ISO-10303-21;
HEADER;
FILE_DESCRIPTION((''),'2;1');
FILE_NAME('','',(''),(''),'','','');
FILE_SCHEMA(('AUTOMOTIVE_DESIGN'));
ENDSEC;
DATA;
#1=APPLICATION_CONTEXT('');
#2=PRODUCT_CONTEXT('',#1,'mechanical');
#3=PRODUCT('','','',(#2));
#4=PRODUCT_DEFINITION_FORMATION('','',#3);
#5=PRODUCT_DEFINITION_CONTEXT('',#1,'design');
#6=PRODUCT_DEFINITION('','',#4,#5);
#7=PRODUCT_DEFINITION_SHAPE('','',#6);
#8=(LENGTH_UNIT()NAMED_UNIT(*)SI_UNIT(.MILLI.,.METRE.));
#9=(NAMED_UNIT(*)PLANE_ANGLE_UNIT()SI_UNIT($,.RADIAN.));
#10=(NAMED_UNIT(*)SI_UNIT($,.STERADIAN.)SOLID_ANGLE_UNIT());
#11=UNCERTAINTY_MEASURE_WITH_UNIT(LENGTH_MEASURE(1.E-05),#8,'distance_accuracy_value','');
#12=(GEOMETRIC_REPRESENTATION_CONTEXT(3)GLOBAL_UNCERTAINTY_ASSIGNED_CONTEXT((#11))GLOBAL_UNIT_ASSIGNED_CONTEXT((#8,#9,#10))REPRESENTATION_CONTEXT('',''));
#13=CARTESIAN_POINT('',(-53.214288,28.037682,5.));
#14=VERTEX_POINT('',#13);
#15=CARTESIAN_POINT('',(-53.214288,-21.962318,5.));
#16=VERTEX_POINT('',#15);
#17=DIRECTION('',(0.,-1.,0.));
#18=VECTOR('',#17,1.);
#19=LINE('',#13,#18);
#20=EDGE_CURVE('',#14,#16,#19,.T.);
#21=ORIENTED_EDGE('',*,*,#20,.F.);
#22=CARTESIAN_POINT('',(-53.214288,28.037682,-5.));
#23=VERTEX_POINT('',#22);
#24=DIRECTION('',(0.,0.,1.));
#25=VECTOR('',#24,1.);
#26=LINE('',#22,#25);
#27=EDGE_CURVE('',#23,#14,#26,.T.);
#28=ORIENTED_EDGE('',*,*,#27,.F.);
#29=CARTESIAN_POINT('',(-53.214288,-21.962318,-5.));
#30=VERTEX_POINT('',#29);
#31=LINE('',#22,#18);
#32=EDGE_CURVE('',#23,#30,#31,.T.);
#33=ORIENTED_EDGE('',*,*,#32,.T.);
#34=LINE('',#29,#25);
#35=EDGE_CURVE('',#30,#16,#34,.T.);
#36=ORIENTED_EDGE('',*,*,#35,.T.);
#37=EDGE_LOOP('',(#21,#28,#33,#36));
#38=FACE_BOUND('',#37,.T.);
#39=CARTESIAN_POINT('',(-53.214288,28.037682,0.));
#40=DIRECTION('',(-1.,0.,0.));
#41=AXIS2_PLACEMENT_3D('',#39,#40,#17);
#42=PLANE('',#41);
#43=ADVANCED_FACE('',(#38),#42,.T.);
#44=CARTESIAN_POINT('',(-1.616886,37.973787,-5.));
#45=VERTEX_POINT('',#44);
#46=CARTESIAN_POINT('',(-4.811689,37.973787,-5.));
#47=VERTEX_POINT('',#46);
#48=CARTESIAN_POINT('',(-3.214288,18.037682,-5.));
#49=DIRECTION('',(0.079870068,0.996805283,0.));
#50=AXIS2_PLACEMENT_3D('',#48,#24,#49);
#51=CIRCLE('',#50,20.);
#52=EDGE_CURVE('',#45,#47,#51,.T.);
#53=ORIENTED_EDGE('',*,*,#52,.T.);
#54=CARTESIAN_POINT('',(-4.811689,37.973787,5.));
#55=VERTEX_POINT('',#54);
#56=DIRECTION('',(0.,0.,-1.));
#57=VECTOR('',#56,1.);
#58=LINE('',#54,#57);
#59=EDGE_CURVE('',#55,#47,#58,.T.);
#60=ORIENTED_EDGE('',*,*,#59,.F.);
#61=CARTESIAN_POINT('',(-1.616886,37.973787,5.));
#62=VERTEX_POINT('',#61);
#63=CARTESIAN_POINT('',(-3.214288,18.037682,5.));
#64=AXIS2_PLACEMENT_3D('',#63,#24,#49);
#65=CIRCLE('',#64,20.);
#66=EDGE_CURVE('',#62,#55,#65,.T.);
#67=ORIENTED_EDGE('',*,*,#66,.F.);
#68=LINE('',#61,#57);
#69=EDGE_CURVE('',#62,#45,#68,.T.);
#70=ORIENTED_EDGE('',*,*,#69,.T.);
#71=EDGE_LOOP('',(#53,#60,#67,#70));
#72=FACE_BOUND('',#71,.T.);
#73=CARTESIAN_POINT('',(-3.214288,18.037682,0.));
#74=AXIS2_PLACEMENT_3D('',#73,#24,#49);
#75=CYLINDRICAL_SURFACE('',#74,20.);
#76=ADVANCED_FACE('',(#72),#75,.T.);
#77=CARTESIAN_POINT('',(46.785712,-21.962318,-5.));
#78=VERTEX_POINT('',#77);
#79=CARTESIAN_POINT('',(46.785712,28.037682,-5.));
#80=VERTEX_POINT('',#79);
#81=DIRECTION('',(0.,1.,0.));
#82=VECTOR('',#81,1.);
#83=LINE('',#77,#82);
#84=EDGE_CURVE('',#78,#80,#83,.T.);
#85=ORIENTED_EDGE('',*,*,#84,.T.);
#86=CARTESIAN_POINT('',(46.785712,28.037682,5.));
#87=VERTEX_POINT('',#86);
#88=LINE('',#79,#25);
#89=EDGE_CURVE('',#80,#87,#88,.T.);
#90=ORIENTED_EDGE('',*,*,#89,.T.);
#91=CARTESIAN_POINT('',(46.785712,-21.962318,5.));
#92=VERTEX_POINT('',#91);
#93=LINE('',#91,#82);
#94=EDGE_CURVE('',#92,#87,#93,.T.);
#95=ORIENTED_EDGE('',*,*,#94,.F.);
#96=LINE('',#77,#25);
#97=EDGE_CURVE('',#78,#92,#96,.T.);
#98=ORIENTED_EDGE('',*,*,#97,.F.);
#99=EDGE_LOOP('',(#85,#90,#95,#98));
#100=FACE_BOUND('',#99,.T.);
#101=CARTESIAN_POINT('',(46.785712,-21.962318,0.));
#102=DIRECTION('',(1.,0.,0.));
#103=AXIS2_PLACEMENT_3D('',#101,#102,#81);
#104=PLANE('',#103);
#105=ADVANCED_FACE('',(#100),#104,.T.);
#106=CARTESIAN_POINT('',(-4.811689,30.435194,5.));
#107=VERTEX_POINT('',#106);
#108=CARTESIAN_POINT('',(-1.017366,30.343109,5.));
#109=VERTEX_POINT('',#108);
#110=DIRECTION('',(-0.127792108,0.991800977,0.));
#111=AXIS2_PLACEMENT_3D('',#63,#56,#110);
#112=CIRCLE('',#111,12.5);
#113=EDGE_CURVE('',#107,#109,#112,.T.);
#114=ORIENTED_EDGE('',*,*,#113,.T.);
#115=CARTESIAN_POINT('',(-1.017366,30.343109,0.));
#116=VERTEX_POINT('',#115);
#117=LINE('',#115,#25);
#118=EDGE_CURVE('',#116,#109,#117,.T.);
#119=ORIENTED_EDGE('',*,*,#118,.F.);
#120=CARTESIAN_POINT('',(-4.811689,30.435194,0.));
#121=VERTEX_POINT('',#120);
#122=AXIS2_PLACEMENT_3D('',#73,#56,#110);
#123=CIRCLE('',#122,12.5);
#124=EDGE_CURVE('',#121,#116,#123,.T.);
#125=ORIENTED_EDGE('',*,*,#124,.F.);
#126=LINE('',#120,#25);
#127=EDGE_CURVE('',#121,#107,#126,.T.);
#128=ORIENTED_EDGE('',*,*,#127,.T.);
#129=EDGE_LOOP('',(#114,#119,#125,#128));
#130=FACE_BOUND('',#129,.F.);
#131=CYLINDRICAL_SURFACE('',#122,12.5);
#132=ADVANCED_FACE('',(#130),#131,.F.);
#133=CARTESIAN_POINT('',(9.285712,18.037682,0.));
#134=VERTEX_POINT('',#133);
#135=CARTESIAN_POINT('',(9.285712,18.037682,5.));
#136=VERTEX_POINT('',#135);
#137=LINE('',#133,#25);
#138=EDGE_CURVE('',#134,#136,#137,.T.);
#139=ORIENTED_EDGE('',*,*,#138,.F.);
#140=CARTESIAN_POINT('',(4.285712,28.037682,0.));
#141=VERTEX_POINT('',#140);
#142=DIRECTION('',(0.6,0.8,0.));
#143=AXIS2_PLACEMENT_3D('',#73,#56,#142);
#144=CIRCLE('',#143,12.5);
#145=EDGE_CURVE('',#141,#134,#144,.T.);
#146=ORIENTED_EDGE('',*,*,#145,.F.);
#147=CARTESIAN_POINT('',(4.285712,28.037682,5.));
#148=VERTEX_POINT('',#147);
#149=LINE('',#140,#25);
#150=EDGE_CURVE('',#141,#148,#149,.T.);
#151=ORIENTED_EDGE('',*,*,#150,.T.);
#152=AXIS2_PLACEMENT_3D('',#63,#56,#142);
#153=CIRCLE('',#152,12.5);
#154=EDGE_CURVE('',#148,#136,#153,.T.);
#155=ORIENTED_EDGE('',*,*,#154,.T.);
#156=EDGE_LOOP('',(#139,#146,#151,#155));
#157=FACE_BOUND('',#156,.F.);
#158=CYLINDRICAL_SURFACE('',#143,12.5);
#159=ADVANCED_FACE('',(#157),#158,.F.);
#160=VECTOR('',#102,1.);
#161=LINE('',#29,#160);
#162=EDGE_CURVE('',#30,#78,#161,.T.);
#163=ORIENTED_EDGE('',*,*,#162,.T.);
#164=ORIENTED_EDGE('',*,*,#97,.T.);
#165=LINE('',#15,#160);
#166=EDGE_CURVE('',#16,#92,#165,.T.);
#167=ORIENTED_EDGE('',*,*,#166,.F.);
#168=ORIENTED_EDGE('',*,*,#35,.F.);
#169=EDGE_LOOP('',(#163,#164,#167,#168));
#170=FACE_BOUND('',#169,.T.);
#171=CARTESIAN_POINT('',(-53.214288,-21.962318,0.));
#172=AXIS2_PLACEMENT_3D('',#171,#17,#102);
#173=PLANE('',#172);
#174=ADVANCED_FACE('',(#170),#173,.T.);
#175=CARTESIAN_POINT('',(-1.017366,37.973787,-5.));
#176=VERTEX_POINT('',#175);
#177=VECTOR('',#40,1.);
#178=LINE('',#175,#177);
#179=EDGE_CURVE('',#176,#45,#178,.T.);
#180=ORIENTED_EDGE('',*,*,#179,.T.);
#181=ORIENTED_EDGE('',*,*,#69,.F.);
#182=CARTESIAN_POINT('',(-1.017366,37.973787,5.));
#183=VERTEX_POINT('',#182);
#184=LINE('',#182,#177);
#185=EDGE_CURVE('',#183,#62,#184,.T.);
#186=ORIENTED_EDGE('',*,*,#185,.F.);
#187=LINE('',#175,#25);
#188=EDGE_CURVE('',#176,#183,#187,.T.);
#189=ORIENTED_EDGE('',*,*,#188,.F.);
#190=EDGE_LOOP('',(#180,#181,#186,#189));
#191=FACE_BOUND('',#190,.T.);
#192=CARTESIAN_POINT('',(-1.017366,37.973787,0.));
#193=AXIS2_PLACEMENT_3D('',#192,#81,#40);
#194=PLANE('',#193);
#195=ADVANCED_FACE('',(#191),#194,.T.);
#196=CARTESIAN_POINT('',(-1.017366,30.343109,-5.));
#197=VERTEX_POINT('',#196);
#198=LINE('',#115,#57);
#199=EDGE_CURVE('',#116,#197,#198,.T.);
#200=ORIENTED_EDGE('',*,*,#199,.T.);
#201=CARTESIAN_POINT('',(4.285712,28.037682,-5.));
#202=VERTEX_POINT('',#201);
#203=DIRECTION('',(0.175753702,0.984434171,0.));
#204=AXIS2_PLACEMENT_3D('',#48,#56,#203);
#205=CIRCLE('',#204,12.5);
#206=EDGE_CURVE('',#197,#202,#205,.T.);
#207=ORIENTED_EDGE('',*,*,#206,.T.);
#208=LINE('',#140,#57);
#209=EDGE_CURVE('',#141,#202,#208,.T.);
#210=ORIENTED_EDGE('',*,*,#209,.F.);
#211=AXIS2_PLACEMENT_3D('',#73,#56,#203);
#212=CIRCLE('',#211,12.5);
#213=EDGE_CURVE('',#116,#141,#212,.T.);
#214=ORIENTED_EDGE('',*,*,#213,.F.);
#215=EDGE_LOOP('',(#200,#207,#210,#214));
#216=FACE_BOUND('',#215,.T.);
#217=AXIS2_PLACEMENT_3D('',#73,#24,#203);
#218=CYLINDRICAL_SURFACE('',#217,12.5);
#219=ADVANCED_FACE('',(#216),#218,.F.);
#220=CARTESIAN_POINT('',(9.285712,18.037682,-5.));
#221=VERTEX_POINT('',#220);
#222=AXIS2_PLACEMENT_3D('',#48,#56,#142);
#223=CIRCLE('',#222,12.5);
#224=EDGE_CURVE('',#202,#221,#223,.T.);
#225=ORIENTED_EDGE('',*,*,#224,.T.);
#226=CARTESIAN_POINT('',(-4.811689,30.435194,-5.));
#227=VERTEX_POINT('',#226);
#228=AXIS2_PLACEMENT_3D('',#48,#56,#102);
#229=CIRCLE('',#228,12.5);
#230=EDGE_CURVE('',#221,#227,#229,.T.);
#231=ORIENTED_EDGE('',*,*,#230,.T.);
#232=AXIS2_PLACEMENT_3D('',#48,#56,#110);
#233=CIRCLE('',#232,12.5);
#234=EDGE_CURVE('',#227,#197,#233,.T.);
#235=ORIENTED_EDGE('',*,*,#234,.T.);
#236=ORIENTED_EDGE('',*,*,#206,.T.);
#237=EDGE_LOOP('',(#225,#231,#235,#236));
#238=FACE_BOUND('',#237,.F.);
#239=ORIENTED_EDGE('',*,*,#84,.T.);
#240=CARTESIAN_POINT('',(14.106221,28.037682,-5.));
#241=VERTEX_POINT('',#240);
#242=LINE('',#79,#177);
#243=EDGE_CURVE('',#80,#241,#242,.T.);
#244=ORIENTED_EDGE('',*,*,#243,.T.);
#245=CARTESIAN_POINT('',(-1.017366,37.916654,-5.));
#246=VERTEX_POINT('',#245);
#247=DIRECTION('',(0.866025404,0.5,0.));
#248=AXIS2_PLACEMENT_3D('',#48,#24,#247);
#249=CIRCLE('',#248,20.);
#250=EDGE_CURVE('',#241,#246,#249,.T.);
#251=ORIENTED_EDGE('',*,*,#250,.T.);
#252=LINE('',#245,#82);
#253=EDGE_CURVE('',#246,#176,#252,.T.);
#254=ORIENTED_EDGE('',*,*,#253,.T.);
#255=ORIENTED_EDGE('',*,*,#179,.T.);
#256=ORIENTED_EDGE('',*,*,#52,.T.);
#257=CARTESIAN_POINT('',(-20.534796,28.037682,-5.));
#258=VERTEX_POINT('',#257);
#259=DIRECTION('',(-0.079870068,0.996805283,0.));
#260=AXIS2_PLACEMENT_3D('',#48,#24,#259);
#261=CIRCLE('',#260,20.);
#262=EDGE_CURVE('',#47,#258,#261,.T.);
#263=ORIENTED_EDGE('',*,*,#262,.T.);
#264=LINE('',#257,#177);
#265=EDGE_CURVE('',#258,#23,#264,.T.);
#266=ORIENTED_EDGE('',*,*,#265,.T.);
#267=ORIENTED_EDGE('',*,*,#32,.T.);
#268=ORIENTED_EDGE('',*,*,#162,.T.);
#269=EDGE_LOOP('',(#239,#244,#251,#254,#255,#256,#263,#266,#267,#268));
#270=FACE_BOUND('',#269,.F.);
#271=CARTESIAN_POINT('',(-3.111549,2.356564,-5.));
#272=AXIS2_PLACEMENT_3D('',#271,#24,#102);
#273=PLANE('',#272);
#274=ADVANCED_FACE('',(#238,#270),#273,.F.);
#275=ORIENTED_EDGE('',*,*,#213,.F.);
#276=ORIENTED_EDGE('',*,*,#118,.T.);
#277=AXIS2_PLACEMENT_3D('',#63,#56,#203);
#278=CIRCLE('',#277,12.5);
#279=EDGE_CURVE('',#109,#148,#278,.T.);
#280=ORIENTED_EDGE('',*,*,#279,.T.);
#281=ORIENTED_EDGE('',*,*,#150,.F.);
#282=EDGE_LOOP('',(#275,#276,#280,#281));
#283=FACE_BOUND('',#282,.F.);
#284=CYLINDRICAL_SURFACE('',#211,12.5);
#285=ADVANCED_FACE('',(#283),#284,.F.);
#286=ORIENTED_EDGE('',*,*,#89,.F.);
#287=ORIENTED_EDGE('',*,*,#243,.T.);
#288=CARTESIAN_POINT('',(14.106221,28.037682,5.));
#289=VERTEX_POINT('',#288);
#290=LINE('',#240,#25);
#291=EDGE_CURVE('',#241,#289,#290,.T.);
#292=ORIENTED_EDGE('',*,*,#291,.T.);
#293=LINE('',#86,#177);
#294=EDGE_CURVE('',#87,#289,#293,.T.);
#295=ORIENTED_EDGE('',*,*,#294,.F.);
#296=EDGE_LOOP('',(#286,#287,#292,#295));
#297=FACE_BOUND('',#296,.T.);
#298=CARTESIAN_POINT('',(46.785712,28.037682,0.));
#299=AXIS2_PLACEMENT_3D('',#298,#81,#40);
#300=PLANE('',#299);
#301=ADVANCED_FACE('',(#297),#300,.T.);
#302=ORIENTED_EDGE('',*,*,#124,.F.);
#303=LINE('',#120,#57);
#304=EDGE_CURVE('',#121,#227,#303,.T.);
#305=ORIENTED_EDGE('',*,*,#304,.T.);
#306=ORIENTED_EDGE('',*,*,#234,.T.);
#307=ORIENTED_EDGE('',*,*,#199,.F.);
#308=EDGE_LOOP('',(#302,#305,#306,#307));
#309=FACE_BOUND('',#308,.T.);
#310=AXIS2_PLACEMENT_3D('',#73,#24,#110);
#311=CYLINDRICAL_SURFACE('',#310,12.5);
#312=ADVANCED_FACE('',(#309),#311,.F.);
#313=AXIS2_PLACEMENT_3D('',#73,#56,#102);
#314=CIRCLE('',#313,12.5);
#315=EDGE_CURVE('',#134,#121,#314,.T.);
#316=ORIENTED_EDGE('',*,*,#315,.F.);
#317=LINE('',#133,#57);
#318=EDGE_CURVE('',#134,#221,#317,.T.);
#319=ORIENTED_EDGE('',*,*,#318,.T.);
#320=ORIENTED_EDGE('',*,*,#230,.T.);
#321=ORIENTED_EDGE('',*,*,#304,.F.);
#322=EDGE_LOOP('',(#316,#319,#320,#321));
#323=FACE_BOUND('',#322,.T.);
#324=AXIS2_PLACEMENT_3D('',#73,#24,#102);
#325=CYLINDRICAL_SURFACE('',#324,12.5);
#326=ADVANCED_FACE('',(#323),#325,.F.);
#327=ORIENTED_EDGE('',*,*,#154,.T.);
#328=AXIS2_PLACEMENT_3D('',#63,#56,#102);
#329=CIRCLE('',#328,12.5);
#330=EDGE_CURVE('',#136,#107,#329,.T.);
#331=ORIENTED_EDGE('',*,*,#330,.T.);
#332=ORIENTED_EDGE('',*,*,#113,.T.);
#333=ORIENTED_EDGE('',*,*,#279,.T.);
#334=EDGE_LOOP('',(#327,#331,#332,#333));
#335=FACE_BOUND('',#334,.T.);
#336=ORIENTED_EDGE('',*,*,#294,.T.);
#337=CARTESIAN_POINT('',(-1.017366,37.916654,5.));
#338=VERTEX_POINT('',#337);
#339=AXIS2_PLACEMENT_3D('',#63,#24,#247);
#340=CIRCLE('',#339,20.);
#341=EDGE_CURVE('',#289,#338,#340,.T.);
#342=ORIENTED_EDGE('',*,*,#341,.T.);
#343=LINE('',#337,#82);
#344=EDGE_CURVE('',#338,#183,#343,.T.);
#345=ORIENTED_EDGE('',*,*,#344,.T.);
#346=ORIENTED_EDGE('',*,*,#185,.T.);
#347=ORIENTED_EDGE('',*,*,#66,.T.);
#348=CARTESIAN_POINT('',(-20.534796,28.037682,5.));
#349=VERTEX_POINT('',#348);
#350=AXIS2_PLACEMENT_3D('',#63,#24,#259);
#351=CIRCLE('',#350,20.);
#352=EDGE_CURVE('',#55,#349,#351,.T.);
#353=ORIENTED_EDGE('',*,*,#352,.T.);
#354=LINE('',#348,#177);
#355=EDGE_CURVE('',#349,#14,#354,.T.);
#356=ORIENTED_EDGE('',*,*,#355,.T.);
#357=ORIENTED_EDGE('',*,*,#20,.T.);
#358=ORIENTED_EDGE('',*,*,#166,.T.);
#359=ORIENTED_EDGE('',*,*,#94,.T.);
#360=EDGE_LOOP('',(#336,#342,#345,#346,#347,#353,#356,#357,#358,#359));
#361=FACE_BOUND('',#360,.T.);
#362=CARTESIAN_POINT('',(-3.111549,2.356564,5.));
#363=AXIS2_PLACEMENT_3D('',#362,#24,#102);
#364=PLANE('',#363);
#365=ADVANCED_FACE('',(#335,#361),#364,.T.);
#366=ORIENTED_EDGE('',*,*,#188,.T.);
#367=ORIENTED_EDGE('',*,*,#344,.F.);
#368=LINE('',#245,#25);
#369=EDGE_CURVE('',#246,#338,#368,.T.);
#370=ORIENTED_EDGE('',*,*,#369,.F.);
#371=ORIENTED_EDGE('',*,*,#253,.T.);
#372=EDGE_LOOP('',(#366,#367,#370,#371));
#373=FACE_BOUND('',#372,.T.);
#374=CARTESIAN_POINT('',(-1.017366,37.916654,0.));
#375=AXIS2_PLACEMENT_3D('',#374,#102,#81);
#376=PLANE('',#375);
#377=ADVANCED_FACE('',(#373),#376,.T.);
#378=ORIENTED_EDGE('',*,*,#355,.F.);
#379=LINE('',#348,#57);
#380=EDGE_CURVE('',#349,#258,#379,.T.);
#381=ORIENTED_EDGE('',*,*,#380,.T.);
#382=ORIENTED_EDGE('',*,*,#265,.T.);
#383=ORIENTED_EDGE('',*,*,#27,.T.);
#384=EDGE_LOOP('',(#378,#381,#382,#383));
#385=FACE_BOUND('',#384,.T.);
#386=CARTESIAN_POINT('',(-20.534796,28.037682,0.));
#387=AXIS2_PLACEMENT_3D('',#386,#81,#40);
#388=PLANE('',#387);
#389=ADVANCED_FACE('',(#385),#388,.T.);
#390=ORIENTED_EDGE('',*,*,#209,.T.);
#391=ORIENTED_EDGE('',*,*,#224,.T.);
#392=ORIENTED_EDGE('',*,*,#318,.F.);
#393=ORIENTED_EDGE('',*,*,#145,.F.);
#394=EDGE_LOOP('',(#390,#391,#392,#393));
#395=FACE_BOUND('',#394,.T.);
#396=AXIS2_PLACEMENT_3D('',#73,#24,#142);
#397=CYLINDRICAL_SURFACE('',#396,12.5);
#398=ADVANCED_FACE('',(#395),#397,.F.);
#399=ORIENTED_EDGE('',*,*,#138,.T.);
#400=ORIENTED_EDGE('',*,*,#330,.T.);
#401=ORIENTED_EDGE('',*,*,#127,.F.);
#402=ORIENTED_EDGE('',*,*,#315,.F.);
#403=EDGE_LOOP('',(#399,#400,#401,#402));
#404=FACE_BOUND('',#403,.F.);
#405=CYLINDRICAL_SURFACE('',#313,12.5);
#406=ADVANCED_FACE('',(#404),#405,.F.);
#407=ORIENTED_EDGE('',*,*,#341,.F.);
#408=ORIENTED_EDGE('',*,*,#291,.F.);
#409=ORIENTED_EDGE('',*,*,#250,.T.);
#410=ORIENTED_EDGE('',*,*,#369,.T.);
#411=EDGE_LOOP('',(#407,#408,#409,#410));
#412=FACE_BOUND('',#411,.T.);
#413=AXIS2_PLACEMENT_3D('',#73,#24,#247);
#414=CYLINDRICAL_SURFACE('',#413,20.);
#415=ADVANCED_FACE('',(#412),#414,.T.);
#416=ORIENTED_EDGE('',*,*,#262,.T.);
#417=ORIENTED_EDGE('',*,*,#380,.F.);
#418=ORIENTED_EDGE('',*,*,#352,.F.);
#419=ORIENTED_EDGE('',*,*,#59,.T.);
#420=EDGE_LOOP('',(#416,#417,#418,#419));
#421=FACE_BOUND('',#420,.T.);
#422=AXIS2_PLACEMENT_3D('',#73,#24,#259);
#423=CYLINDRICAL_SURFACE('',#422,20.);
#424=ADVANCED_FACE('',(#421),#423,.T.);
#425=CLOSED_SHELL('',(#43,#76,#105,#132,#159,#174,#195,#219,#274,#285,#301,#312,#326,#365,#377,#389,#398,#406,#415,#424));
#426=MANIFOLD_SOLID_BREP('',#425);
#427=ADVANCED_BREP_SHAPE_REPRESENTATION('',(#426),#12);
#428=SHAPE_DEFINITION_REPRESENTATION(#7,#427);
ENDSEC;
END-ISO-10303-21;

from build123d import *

# Parameters (mm, degrees)
F1_DEPTH = 5


with BuildPart() as f1:
    # F0 (on Top) → F1 (new body, symmetric)
    with BuildSketch(Plane.XY):
        with BuildLine():
            Line((-20.5347956473, 28.0376815487), (-53.2142875716, 28.0376815487))
            Line((-53.2142875716, 28.0376815487), (-53.2142875716, -21.9623184513))
            Line((-53.2142875716, -21.9623184513), (46.7857124284, -21.9623184513))
            Line((46.7857124284, -21.9623184513), (46.7857124284, 28.0376815487))
            Line((46.7857124284, 28.0376815487), (14.1062205041, 28.0376815487))
            ThreePointArc((14.1062205041, 28.0376815487), (16.1042289542, 23.2140624507), (16.7857124284, 18.0376815487))
            ThreePointArc((16.7857124284, 18.0376815487), (-8.3906684737, -1.2808349771), (-20.5347956473, 28.0376815487))
        make_face()
        with BuildLine():
            ThreePointArc((-4.8116889233, 37.9737872095), (-13.8985457677, 34.9446808921), (-20.5347956473, 28.0376815487))
            Line((-20.5347956473, 28.0376815487), (-10.7142875716, 28.0376815487))
            ThreePointArc((-10.7142875716, 28.0376815487), (-7.918295866, 29.6188000597), (-4.8116889233, 30.4351937556))
            Line((-4.8116889233, 30.4351937556), (-4.8116889233, 37.9737872095))
        make_face()
        with BuildLine():
            Line((-10.7142875716, 28.0376815487), (-20.5347956473, 28.0376815487))
            ThreePointArc((-20.5347956473, 28.0376815487), (-8.3906684737, -1.2808349771), (16.7857124284, 18.0376815487))
            ThreePointArc((16.7857124284, 18.0376815487), (16.1042289542, 23.2140624507), (14.1062205041, 28.0376815487))
            Line((14.1062205041, 28.0376815487), (4.2857124284, 28.0376815487))
            ThreePointArc((4.2857124284, 28.0376815487), (7.9660523159, 23.6278514924), (9.2857124284, 18.0376815487))
            ThreePointArc((9.2857124284, 18.0376815487), (-8.8044575154, 6.8573416612), (-10.7142875716, 28.0376815487))
        make_face()
        with BuildLine():
            ThreePointArc((-1.6168862199, 37.9737872095), (-3.2142875716, 38.0376815487), (-4.8116889233, 37.9737872095))
            Line((-4.8116889233, 37.9737872095), (-1.6168862199, 37.9737872095))
        make_face()
        with BuildLine():
            Line((-1.6168862199, 37.9737872095), (-4.8116889233, 37.9737872095))
            Line((-4.8116889233, 37.9737872095), (-4.8116889233, 30.4351937556))
            ThreePointArc((-4.8116889233, 30.4351937556), (-2.9110122001, 30.534001969), (-1.0173662929, 30.3431086804))
            Line((-1.0173662929, 30.3431086804), (-1.0173662929, 37.916653778))
            ThreePointArc((-1.0173662929, 37.916653778), (-1.3169111954, 37.9474772002), (-1.6168862199, 37.9737872095))
        make_face()
        with BuildLine():
            ThreePointArc((-1.0173662929, 30.3431086804), (1.7693174625, 29.5012621788), (4.2857124284, 28.0376815487))
            Line((4.2857124284, 28.0376815487), (14.1062205041, 28.0376815487))
            ThreePointArc((14.1062205041, 28.0376815487), (7.7233097527, 34.781903381), (-1.0173662929, 37.916653778))
            Line((-1.0173662929, 37.916653778), (-1.0173662929, 30.3431086804))
        make_face()
        with BuildLine():
            Line((-1.0173662929, 37.9737872095), (-1.6168862199, 37.9737872095))
            ThreePointArc((-1.6168862199, 37.9737872095), (-1.3169111954, 37.9474772002), (-1.0173662929, 37.916653778))
            Line((-1.0173662929, 37.916653778), (-1.0173662929, 37.9737872095))
        make_face()
    extrude(amount=F1_DEPTH, both=True)


solid = f1.part
